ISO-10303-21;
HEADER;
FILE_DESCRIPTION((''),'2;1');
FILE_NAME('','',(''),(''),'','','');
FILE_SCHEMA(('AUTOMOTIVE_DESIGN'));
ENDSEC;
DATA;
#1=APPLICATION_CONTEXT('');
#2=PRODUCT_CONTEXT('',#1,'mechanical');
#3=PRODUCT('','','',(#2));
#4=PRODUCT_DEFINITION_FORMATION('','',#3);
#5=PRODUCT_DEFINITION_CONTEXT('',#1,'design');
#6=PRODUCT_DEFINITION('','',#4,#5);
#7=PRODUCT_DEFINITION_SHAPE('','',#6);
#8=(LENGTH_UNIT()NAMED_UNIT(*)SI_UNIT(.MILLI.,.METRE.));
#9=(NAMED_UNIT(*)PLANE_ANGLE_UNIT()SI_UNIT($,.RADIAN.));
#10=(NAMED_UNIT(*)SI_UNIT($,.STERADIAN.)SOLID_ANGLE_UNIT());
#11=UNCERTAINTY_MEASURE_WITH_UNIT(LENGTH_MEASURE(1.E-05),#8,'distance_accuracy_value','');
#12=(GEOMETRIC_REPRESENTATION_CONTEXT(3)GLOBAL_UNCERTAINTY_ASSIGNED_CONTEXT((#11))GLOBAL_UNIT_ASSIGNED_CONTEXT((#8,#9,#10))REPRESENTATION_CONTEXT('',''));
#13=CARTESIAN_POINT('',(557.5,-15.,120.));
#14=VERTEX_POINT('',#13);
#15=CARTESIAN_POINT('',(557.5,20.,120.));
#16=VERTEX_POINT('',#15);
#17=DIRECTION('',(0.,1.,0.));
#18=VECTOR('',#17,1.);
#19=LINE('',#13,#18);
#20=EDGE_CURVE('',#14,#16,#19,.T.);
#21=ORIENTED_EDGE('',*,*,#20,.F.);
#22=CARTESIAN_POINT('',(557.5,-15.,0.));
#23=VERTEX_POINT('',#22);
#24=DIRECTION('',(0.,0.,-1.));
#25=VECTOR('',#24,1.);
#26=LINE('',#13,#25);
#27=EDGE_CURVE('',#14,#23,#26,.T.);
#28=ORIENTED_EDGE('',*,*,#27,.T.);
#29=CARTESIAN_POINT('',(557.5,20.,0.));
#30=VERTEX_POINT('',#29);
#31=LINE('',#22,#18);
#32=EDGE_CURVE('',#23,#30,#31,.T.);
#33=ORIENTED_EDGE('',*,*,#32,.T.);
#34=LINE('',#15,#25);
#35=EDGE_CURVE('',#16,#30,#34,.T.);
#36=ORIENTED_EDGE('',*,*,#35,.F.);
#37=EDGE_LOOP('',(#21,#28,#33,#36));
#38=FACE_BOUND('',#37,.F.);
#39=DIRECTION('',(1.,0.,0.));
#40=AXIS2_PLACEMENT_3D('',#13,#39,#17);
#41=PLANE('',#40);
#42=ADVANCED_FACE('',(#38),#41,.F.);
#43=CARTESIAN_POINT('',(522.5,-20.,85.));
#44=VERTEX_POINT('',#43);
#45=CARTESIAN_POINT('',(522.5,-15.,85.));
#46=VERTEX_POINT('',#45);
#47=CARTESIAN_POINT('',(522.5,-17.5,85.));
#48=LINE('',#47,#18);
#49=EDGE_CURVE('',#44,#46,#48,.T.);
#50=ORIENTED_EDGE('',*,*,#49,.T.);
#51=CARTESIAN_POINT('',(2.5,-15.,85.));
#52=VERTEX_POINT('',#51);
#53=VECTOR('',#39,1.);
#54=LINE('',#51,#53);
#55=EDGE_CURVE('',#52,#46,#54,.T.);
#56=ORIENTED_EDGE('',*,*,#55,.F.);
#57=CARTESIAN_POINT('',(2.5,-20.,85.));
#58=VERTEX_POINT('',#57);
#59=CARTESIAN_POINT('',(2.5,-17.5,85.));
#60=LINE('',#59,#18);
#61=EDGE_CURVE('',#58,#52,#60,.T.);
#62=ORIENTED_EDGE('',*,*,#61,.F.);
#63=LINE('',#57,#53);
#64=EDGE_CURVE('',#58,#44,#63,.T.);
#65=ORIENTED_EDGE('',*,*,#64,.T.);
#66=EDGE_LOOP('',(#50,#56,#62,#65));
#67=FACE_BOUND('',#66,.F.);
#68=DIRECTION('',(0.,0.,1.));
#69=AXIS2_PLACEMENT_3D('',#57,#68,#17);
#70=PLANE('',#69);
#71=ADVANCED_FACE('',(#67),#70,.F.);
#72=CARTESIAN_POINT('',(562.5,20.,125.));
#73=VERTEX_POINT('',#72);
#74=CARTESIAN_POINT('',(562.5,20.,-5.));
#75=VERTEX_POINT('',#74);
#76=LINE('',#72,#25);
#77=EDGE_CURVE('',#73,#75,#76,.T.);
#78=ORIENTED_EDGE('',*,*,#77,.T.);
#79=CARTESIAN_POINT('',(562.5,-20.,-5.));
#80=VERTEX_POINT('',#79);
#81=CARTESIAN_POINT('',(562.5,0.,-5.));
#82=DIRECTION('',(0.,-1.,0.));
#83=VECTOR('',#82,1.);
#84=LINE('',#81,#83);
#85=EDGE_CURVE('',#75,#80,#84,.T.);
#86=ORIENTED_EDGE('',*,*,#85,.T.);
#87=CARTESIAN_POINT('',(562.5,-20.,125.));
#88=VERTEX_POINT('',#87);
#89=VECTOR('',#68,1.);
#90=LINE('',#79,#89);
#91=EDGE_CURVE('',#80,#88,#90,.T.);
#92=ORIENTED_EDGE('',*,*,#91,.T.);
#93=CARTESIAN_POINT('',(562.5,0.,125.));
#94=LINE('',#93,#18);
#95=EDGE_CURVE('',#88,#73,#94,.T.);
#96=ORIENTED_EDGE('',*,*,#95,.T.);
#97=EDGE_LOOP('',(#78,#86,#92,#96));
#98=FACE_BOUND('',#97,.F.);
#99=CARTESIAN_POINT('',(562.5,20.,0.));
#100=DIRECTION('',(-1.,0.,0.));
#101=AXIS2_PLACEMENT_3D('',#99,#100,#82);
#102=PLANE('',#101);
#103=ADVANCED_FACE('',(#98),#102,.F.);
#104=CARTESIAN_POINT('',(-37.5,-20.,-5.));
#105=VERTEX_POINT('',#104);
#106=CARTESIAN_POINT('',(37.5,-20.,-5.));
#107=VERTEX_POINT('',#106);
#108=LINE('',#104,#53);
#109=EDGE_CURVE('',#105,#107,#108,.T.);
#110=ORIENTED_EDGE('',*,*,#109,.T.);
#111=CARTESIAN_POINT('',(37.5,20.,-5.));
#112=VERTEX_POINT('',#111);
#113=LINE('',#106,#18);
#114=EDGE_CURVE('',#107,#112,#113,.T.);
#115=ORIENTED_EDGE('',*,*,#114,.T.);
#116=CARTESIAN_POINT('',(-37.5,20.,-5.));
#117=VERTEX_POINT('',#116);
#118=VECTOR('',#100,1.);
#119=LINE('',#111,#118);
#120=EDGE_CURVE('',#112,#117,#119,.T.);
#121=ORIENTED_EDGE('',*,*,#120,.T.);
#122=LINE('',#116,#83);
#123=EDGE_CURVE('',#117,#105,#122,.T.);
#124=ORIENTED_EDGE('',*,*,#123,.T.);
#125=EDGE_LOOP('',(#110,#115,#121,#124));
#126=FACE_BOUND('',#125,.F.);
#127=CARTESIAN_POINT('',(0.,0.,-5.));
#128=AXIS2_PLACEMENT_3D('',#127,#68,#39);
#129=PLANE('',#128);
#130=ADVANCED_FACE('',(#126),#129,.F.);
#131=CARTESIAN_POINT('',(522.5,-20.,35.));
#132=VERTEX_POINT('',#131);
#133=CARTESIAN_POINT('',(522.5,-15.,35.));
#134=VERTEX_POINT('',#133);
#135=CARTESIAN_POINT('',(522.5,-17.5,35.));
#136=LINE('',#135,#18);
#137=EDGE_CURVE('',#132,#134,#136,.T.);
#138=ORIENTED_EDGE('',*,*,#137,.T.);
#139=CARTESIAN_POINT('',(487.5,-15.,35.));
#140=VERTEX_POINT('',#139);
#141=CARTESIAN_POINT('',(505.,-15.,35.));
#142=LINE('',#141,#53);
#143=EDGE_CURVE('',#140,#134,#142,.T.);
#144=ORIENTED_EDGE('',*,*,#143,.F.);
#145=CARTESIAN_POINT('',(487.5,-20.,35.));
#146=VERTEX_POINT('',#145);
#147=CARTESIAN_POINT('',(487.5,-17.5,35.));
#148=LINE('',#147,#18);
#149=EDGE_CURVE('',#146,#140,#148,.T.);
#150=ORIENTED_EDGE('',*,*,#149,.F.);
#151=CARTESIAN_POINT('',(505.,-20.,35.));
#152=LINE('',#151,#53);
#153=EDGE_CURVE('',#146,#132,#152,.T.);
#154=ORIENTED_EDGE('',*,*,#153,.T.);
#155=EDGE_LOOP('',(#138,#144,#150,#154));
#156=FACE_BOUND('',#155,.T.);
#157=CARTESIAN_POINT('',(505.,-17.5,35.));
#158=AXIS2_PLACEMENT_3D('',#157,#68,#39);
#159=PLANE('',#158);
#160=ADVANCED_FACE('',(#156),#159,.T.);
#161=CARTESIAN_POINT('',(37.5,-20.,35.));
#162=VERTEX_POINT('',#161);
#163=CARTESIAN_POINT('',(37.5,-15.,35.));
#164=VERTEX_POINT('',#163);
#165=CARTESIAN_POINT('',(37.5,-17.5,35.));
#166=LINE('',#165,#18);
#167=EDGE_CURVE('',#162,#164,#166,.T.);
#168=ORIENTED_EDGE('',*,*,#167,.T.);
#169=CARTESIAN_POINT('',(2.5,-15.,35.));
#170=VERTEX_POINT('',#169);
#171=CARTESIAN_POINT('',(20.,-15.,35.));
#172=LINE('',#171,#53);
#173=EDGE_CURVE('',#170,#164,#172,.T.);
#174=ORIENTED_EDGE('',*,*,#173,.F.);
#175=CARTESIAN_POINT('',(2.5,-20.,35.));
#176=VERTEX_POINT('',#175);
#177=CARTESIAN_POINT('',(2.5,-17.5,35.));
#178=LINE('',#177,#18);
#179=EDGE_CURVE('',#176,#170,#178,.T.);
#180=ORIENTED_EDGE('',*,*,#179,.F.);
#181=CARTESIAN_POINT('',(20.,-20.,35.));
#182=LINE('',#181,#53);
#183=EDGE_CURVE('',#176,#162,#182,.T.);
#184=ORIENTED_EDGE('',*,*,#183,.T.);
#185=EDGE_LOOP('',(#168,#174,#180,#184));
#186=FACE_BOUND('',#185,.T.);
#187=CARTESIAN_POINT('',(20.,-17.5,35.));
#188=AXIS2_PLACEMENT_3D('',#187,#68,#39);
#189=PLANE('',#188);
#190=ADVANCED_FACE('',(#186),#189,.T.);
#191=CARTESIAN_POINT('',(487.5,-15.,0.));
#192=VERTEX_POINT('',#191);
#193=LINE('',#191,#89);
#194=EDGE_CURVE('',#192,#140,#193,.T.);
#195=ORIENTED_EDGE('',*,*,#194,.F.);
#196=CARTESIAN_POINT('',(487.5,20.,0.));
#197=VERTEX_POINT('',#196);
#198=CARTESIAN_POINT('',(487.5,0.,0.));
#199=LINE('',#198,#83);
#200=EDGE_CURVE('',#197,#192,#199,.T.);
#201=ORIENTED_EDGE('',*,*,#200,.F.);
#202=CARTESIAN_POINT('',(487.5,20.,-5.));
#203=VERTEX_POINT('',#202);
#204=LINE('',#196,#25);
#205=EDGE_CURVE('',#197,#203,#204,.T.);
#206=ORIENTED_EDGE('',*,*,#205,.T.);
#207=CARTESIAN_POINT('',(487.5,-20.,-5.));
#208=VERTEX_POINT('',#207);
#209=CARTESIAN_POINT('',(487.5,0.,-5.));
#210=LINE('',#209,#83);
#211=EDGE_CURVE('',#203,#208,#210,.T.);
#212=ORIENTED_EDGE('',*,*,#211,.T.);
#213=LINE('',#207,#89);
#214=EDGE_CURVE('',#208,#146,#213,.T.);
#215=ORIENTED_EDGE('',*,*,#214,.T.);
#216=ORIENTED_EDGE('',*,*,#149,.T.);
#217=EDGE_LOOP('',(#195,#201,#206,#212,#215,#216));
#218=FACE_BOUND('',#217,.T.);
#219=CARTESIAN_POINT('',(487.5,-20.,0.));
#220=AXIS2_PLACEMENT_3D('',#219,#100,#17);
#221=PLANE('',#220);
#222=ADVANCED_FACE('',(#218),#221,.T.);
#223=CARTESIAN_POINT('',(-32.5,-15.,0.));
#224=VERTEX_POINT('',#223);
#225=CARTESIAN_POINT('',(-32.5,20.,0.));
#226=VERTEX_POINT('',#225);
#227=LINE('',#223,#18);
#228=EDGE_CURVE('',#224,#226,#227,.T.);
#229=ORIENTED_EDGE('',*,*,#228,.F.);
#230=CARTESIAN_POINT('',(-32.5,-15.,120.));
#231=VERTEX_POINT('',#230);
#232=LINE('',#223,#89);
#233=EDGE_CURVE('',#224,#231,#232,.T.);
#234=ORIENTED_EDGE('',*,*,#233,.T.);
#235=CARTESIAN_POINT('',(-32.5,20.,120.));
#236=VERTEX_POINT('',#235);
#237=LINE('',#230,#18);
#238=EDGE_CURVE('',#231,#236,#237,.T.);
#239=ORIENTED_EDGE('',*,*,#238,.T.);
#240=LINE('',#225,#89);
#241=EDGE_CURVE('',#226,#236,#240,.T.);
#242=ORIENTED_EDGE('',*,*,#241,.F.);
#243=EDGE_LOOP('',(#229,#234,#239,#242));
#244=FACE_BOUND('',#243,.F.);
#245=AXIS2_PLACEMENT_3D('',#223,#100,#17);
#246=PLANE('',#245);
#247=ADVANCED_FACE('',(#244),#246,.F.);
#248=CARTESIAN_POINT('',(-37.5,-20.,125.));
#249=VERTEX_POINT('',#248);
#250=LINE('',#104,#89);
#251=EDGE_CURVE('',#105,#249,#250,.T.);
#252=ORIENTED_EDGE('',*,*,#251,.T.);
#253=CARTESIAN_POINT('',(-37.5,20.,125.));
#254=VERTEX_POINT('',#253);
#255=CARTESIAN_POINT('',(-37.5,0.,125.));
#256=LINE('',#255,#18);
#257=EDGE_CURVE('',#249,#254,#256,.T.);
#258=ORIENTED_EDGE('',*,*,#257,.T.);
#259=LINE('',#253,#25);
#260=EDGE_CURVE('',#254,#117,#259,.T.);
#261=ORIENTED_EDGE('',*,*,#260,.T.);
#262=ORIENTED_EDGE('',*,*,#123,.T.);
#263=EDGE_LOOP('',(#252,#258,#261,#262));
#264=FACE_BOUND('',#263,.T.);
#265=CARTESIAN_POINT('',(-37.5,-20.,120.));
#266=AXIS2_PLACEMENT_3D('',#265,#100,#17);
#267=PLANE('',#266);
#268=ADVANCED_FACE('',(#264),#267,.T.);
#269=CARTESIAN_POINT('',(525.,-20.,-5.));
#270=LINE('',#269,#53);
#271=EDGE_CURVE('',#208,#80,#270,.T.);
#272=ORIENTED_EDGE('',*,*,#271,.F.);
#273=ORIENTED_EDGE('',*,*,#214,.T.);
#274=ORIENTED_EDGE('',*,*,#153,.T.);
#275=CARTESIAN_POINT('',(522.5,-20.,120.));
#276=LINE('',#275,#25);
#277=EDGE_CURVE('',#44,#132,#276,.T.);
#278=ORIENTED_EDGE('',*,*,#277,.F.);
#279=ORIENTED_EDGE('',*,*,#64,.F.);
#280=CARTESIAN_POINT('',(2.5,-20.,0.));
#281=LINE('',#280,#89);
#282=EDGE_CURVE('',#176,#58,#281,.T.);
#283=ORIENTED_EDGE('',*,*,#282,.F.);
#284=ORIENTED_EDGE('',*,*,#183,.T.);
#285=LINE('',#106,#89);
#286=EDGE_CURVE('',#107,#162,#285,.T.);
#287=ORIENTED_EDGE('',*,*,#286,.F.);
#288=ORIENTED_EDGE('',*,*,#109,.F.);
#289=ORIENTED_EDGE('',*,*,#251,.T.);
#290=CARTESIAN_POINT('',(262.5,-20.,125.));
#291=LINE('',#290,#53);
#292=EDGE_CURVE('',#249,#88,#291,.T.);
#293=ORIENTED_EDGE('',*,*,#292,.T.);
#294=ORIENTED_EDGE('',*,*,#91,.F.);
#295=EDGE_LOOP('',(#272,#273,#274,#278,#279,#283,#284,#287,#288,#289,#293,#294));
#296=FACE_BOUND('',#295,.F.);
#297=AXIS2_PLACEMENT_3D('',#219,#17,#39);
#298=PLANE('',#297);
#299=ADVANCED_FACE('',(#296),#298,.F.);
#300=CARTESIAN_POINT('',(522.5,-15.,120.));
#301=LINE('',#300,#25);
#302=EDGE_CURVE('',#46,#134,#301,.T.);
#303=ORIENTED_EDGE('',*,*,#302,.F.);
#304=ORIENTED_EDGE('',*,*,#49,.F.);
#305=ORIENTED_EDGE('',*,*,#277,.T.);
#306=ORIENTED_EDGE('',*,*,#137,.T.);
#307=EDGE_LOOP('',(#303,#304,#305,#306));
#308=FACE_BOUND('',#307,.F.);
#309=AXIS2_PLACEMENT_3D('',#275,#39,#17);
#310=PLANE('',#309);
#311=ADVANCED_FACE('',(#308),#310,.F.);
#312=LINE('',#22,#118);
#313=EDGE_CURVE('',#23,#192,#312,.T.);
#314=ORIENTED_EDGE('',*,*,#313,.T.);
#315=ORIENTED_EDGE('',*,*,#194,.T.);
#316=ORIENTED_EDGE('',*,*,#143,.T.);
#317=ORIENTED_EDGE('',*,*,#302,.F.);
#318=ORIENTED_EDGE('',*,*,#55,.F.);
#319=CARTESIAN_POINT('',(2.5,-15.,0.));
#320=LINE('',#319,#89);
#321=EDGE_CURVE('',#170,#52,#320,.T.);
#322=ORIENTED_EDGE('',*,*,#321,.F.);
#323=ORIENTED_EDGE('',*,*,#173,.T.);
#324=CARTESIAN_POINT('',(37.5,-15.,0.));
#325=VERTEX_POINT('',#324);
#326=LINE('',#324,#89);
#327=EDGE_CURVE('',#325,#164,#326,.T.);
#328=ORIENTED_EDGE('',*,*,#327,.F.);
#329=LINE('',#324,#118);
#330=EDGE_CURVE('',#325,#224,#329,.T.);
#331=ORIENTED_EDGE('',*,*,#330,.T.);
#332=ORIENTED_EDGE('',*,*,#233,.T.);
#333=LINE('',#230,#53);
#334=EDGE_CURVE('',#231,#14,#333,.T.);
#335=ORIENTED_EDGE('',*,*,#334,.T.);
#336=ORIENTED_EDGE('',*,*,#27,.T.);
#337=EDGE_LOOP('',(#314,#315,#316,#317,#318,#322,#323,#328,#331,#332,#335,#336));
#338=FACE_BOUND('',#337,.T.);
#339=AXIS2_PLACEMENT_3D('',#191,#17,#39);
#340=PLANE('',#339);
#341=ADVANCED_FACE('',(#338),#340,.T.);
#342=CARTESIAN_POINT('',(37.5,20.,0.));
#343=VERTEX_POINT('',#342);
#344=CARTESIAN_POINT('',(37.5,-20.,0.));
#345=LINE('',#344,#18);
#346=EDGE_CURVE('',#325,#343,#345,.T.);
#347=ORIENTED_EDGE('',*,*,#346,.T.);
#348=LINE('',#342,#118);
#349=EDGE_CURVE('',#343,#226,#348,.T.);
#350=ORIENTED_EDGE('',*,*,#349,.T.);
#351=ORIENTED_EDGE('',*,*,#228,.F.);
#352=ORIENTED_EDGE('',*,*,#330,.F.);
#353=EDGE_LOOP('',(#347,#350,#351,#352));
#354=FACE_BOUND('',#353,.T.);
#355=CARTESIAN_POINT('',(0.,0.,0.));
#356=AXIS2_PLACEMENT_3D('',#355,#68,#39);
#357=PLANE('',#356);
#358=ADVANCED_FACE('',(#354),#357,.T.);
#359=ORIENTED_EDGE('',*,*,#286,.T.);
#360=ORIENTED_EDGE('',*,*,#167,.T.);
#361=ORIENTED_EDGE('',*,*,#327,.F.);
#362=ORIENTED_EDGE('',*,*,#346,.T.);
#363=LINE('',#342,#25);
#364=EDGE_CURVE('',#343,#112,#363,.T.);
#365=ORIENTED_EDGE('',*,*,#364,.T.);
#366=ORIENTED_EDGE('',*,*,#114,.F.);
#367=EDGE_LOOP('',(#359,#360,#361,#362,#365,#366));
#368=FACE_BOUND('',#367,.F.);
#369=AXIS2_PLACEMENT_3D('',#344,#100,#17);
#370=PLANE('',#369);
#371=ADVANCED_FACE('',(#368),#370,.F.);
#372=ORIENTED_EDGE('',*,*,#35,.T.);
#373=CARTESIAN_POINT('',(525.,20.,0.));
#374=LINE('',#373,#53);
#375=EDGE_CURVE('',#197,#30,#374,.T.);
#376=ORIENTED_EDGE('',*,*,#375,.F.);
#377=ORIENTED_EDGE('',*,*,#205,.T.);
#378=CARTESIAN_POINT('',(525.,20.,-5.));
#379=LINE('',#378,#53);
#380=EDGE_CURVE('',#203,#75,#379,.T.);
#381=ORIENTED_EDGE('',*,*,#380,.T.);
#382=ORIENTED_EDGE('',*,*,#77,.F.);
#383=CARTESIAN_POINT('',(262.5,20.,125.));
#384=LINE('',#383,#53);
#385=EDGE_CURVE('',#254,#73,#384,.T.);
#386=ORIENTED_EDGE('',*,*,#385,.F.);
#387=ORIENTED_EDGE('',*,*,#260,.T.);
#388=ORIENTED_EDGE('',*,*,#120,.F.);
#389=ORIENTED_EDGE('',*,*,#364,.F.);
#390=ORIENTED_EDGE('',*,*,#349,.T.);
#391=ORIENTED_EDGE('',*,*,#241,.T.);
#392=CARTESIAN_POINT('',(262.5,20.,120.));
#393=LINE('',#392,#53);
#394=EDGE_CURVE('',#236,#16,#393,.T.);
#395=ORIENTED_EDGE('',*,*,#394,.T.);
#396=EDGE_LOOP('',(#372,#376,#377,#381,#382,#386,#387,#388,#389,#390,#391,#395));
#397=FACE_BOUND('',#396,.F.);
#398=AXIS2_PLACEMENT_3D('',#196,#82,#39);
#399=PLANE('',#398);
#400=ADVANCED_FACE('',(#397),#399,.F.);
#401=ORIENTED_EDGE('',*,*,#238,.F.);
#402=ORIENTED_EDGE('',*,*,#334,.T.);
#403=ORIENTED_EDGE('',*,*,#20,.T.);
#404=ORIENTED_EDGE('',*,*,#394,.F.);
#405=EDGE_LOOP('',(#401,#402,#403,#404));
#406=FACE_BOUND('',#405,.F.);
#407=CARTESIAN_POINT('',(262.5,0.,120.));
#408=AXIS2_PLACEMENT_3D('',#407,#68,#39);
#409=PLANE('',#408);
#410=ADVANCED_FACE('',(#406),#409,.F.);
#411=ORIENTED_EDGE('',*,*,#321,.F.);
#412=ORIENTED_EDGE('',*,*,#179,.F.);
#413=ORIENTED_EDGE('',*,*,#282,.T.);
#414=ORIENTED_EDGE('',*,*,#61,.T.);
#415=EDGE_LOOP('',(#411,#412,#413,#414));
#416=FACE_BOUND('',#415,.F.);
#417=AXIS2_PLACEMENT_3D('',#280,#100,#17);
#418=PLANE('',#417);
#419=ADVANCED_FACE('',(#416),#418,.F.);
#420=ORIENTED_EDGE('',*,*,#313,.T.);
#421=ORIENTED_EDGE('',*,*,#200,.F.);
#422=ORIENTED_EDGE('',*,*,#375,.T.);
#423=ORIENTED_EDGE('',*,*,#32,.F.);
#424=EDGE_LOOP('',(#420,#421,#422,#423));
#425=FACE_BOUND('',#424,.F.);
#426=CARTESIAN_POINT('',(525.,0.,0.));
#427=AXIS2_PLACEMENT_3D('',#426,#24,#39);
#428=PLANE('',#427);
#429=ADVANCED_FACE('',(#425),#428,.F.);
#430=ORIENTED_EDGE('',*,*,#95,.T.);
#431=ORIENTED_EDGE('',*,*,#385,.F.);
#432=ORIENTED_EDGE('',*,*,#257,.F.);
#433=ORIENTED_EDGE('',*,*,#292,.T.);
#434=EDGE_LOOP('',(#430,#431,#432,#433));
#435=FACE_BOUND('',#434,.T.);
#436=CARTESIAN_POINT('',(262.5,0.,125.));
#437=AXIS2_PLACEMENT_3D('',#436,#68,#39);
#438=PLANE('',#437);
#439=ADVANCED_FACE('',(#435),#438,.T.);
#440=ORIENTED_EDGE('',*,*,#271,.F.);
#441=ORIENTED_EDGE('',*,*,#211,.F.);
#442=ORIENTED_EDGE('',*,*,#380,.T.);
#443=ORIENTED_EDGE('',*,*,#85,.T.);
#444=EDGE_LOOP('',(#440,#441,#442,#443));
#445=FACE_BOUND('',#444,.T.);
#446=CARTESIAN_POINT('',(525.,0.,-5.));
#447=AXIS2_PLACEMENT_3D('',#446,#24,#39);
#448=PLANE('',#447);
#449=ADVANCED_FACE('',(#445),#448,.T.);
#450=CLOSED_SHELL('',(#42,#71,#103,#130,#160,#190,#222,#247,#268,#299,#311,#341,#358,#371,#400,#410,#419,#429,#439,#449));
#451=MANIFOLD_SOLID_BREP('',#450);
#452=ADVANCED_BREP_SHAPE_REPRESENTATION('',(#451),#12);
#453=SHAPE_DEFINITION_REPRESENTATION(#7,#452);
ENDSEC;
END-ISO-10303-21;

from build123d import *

# Parameters (mm, degrees)
F1_DEPTH  = 5
F3_DEPTH  = 120
F4_W      = 600
F4_H      = 40
F5_DEPTH  = 5
F7_DEPTH  = 120
F8_W      = 75
F8_H      = 40
F9_DEPTH  = 5
F10_W     = 5
F10_H     = 35
F11_DEPTH = 520
F12_W     = 35
F12_H     = 5
F13_DEPTH = 35
F14_W     = 35
F14_H     = 5
F15_DEPTH = 35


with BuildPart() as f1:
    # F0 (on Top) → F1 (new body)
    with BuildSketch(Plane.XY):
        Polygon((0, -20), (37.5, -20), (37.5, 20), (-37.5, 20), (-37.5, -20), align=None)
    extrude(amount=-F1_DEPTH)

    # F2 (on face) → F3 (join)
    with BuildSketch(Plane.XY):
        Polygon((-32.5, 20), (-37.5, 20), (-37.5, -20), (2.5, -20), (2.5, -15), (-32.5, -15), align=None)
    extrude(amount=F3_DEPTH)

    # F4 (on face) → F5 (join)
    with BuildSketch(Plane.XY.offset(120)):
        with Locations((262.5, 0)):
            Rectangle(F4_W, F4_H)
    extrude(amount=F5_DEPTH)

    # F6 (on face) → F7 (join)
    with BuildSketch(Plane(origin=(0, 0, 120), x_dir=(1, 0, 0), z_dir=(0, 0, -1))):
        Polygon((557.5, -20), (562.5, -20), (562.5, 20), (522.5, 20), (522.5, 15), (557.5, 15), align=None)
    extrude(amount=F7_DEPTH)

    # F8 (on face) → F9 (join)
    with BuildSketch(Plane(origin=(0, 0, 0), x_dir=(1, 0, 0), z_dir=(0, 0, -1))):
        with Locations((525, 0)):
            Rectangle(F8_W, F8_H)
    extrude(amount=F9_DEPTH)

    # F10 (on face) → F11 (join)
    with BuildSketch(Plane.YZ.offset(2.5)):
        with Locations((-17.5, 102.5)):
            Rectangle(F10_W, F10_H)
    extrude(amount=F11_DEPTH)

    # F12 (on face) → F13 (join)
    with BuildSketch(Plane.XY):
        with Locations((20, -17.5)):
            Rectangle(F12_W, F12_H)
    extrude(amount=F13_DEPTH)

    # F14 (on face) → F15 (join)
    with BuildSketch(Plane.XY):
        with Locations((505, -17.5)):
            Rectangle(F14_W, F14_H)
    extrude(amount=F15_DEPTH)


solid = f1.part
